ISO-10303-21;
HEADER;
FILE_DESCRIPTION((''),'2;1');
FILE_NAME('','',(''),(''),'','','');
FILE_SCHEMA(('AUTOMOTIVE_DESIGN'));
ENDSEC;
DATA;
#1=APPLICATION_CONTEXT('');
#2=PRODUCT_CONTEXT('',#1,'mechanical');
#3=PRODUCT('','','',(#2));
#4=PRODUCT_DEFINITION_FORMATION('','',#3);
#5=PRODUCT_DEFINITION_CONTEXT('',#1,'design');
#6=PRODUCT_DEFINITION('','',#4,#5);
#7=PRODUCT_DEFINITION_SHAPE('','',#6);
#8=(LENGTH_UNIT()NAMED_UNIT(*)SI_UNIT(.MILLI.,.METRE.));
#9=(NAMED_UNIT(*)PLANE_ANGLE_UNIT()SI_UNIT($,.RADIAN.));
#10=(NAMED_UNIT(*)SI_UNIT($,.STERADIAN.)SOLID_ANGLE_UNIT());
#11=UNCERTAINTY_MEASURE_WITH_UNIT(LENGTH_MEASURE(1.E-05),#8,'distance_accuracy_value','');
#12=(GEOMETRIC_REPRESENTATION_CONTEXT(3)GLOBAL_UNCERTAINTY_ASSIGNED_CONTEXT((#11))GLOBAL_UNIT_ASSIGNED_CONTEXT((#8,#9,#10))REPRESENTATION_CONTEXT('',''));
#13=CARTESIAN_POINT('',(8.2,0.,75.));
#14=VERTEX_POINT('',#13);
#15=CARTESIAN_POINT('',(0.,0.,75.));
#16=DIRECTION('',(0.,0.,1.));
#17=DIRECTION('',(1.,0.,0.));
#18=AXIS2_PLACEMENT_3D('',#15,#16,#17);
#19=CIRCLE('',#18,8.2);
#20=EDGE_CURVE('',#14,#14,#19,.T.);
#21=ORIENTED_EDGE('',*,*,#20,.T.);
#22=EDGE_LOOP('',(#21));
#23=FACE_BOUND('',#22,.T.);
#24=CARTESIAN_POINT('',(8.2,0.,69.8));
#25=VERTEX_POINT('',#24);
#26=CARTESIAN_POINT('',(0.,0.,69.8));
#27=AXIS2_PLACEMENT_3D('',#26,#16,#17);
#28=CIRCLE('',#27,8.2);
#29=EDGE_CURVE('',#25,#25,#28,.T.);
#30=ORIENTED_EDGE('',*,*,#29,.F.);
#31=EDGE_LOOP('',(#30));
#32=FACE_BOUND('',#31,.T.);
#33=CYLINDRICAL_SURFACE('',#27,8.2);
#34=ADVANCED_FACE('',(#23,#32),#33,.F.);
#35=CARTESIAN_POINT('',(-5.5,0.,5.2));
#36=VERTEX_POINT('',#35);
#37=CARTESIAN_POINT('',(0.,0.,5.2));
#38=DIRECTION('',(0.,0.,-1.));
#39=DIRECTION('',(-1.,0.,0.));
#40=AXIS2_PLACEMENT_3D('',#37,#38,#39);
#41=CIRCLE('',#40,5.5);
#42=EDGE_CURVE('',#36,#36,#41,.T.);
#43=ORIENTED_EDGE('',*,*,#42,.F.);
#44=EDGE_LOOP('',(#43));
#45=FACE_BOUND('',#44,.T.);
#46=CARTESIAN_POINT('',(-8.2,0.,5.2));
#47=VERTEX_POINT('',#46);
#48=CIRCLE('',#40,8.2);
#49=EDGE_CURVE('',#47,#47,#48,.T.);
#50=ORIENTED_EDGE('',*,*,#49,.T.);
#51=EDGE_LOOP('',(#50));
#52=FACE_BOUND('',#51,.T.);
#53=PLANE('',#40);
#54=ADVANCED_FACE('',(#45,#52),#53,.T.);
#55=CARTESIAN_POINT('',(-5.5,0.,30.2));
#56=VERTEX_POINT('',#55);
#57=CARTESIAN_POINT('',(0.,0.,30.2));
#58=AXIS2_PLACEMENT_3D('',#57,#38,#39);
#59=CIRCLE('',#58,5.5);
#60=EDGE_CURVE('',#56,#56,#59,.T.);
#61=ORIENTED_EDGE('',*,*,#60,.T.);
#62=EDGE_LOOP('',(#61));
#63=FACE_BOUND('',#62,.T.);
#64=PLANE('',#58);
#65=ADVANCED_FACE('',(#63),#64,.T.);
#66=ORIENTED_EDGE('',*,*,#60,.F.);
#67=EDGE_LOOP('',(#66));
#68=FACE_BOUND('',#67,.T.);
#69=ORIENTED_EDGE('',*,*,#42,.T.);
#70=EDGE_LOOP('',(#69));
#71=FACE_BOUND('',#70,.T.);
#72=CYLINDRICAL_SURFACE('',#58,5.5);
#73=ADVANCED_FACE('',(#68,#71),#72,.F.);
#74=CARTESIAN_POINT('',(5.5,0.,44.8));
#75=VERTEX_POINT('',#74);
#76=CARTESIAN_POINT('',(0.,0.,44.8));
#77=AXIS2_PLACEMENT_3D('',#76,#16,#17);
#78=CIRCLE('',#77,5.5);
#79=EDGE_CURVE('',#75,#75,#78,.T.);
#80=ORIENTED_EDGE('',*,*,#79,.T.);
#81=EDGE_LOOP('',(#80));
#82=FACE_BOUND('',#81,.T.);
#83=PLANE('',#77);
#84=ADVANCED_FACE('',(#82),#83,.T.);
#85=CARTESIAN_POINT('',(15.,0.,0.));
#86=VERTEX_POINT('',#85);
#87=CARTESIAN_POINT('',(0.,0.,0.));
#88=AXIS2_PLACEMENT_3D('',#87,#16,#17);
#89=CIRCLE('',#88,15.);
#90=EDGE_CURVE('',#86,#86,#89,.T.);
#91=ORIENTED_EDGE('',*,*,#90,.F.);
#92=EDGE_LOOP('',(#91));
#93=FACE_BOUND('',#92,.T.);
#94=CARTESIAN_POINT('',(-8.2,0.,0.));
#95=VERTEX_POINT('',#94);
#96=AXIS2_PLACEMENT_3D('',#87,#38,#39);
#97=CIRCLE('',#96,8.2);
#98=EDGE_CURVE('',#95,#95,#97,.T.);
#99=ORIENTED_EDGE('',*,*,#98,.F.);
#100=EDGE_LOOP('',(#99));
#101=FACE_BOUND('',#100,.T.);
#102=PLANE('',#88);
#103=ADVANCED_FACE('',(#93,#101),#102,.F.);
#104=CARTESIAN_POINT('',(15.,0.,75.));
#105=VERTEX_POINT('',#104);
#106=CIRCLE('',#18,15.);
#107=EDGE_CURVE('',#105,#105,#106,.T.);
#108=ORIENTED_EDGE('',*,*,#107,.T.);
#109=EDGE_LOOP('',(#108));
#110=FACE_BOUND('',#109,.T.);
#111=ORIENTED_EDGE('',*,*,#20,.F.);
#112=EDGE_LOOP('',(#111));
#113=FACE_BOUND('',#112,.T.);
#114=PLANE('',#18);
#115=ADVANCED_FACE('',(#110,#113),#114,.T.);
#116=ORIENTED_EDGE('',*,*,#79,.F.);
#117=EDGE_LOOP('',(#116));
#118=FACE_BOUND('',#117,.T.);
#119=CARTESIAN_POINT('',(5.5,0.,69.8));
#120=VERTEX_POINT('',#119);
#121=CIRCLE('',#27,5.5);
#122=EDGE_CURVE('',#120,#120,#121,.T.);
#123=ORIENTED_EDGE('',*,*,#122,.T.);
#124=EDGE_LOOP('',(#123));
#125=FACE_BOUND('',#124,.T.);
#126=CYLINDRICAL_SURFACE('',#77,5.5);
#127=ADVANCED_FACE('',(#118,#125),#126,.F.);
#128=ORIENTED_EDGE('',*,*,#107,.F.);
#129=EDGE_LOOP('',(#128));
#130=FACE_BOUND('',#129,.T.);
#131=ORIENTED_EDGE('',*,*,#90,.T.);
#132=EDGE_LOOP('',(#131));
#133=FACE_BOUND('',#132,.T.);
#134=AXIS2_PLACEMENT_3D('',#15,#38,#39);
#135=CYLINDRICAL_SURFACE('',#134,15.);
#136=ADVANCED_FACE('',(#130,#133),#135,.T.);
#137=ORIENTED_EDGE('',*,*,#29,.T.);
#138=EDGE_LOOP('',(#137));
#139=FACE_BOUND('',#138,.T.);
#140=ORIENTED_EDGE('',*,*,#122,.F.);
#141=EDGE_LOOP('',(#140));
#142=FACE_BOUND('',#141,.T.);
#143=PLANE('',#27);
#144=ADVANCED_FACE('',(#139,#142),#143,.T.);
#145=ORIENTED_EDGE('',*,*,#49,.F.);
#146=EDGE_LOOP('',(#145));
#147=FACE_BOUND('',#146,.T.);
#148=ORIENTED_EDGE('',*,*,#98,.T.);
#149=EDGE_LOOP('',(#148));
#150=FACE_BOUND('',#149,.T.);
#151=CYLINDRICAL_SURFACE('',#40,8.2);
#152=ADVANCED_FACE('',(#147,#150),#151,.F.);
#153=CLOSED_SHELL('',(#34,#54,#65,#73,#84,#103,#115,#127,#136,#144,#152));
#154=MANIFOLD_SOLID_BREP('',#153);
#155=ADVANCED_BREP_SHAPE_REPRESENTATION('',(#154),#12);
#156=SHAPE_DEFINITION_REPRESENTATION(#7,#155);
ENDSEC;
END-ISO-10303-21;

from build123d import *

# Parameters (mm, degrees)
SKETCH1_R           = 15
BOSS_EXTRUDE1_DEPTH = 75
SKETCH2_R           = 8.2
CUT_EXTRUDE1_DEPTH  = 5.2
CUT_EXTRUDE2_START  = -5.2
SKETCH3_R           = 8.2
CUT_EXTRUDE2_DEPTH  = 5.2
SKETCH4_R           = 5.5
CUT_EXTRUDE3_DEPTH  = 25
CUT_EXTRUDE4_START  = -25
SKETCH5_R           = 5.5
CUT_EXTRUDE4_DEPTH  = 25


with BuildPart() as part:
    # Sketch1 → Boss-Extrude1 (new body)
    with BuildSketch(Plane.XY):
        Circle(SKETCH1_R)
    extrude(amount=BOSS_EXTRUDE1_DEPTH)

    # Sketch2 → Cut-Extrude1 (cut)
    with BuildSketch(Plane.XY.offset(75)):
        Circle(SKETCH2_R)
    extrude(amount=-CUT_EXTRUDE1_DEPTH, mode=Mode.SUBTRACT)

    # Sketch3 → Cut-Extrude2 (cut)
    with BuildSketch(Plane(origin=(0, 0, 0), x_dir=(-1, 0, 0), z_dir=(0, 0, -1)).offset(CUT_EXTRUDE2_START)):
        with Locations(Location((0, 0, 0), (0, 0, 180))):
            Circle(SKETCH3_R)
    extrude(amount=CUT_EXTRUDE2_DEPTH, mode=Mode.SUBTRACT)

    # Sketch4 → Cut-Extrude3 (cut)
    with BuildSketch(Plane.XY.offset(69.8)):
        Circle(SKETCH4_R)
    extrude(amount=-CUT_EXTRUDE3_DEPTH, mode=Mode.SUBTRACT)

    # Sketch5 → Cut-Extrude4 (cut)
    with BuildSketch(Plane(origin=(0, 0, 5.2), x_dir=(-1, 0, 0), z_dir=(0, 0, -1)).offset(CUT_EXTRUDE4_START)):
        with Locations(Location((0, 0, 0), (0, 0, 180))):
            Circle(SKETCH5_R)
    extrude(amount=CUT_EXTRUDE4_DEPTH, mode=Mode.SUBTRACT)


solid = part.part
